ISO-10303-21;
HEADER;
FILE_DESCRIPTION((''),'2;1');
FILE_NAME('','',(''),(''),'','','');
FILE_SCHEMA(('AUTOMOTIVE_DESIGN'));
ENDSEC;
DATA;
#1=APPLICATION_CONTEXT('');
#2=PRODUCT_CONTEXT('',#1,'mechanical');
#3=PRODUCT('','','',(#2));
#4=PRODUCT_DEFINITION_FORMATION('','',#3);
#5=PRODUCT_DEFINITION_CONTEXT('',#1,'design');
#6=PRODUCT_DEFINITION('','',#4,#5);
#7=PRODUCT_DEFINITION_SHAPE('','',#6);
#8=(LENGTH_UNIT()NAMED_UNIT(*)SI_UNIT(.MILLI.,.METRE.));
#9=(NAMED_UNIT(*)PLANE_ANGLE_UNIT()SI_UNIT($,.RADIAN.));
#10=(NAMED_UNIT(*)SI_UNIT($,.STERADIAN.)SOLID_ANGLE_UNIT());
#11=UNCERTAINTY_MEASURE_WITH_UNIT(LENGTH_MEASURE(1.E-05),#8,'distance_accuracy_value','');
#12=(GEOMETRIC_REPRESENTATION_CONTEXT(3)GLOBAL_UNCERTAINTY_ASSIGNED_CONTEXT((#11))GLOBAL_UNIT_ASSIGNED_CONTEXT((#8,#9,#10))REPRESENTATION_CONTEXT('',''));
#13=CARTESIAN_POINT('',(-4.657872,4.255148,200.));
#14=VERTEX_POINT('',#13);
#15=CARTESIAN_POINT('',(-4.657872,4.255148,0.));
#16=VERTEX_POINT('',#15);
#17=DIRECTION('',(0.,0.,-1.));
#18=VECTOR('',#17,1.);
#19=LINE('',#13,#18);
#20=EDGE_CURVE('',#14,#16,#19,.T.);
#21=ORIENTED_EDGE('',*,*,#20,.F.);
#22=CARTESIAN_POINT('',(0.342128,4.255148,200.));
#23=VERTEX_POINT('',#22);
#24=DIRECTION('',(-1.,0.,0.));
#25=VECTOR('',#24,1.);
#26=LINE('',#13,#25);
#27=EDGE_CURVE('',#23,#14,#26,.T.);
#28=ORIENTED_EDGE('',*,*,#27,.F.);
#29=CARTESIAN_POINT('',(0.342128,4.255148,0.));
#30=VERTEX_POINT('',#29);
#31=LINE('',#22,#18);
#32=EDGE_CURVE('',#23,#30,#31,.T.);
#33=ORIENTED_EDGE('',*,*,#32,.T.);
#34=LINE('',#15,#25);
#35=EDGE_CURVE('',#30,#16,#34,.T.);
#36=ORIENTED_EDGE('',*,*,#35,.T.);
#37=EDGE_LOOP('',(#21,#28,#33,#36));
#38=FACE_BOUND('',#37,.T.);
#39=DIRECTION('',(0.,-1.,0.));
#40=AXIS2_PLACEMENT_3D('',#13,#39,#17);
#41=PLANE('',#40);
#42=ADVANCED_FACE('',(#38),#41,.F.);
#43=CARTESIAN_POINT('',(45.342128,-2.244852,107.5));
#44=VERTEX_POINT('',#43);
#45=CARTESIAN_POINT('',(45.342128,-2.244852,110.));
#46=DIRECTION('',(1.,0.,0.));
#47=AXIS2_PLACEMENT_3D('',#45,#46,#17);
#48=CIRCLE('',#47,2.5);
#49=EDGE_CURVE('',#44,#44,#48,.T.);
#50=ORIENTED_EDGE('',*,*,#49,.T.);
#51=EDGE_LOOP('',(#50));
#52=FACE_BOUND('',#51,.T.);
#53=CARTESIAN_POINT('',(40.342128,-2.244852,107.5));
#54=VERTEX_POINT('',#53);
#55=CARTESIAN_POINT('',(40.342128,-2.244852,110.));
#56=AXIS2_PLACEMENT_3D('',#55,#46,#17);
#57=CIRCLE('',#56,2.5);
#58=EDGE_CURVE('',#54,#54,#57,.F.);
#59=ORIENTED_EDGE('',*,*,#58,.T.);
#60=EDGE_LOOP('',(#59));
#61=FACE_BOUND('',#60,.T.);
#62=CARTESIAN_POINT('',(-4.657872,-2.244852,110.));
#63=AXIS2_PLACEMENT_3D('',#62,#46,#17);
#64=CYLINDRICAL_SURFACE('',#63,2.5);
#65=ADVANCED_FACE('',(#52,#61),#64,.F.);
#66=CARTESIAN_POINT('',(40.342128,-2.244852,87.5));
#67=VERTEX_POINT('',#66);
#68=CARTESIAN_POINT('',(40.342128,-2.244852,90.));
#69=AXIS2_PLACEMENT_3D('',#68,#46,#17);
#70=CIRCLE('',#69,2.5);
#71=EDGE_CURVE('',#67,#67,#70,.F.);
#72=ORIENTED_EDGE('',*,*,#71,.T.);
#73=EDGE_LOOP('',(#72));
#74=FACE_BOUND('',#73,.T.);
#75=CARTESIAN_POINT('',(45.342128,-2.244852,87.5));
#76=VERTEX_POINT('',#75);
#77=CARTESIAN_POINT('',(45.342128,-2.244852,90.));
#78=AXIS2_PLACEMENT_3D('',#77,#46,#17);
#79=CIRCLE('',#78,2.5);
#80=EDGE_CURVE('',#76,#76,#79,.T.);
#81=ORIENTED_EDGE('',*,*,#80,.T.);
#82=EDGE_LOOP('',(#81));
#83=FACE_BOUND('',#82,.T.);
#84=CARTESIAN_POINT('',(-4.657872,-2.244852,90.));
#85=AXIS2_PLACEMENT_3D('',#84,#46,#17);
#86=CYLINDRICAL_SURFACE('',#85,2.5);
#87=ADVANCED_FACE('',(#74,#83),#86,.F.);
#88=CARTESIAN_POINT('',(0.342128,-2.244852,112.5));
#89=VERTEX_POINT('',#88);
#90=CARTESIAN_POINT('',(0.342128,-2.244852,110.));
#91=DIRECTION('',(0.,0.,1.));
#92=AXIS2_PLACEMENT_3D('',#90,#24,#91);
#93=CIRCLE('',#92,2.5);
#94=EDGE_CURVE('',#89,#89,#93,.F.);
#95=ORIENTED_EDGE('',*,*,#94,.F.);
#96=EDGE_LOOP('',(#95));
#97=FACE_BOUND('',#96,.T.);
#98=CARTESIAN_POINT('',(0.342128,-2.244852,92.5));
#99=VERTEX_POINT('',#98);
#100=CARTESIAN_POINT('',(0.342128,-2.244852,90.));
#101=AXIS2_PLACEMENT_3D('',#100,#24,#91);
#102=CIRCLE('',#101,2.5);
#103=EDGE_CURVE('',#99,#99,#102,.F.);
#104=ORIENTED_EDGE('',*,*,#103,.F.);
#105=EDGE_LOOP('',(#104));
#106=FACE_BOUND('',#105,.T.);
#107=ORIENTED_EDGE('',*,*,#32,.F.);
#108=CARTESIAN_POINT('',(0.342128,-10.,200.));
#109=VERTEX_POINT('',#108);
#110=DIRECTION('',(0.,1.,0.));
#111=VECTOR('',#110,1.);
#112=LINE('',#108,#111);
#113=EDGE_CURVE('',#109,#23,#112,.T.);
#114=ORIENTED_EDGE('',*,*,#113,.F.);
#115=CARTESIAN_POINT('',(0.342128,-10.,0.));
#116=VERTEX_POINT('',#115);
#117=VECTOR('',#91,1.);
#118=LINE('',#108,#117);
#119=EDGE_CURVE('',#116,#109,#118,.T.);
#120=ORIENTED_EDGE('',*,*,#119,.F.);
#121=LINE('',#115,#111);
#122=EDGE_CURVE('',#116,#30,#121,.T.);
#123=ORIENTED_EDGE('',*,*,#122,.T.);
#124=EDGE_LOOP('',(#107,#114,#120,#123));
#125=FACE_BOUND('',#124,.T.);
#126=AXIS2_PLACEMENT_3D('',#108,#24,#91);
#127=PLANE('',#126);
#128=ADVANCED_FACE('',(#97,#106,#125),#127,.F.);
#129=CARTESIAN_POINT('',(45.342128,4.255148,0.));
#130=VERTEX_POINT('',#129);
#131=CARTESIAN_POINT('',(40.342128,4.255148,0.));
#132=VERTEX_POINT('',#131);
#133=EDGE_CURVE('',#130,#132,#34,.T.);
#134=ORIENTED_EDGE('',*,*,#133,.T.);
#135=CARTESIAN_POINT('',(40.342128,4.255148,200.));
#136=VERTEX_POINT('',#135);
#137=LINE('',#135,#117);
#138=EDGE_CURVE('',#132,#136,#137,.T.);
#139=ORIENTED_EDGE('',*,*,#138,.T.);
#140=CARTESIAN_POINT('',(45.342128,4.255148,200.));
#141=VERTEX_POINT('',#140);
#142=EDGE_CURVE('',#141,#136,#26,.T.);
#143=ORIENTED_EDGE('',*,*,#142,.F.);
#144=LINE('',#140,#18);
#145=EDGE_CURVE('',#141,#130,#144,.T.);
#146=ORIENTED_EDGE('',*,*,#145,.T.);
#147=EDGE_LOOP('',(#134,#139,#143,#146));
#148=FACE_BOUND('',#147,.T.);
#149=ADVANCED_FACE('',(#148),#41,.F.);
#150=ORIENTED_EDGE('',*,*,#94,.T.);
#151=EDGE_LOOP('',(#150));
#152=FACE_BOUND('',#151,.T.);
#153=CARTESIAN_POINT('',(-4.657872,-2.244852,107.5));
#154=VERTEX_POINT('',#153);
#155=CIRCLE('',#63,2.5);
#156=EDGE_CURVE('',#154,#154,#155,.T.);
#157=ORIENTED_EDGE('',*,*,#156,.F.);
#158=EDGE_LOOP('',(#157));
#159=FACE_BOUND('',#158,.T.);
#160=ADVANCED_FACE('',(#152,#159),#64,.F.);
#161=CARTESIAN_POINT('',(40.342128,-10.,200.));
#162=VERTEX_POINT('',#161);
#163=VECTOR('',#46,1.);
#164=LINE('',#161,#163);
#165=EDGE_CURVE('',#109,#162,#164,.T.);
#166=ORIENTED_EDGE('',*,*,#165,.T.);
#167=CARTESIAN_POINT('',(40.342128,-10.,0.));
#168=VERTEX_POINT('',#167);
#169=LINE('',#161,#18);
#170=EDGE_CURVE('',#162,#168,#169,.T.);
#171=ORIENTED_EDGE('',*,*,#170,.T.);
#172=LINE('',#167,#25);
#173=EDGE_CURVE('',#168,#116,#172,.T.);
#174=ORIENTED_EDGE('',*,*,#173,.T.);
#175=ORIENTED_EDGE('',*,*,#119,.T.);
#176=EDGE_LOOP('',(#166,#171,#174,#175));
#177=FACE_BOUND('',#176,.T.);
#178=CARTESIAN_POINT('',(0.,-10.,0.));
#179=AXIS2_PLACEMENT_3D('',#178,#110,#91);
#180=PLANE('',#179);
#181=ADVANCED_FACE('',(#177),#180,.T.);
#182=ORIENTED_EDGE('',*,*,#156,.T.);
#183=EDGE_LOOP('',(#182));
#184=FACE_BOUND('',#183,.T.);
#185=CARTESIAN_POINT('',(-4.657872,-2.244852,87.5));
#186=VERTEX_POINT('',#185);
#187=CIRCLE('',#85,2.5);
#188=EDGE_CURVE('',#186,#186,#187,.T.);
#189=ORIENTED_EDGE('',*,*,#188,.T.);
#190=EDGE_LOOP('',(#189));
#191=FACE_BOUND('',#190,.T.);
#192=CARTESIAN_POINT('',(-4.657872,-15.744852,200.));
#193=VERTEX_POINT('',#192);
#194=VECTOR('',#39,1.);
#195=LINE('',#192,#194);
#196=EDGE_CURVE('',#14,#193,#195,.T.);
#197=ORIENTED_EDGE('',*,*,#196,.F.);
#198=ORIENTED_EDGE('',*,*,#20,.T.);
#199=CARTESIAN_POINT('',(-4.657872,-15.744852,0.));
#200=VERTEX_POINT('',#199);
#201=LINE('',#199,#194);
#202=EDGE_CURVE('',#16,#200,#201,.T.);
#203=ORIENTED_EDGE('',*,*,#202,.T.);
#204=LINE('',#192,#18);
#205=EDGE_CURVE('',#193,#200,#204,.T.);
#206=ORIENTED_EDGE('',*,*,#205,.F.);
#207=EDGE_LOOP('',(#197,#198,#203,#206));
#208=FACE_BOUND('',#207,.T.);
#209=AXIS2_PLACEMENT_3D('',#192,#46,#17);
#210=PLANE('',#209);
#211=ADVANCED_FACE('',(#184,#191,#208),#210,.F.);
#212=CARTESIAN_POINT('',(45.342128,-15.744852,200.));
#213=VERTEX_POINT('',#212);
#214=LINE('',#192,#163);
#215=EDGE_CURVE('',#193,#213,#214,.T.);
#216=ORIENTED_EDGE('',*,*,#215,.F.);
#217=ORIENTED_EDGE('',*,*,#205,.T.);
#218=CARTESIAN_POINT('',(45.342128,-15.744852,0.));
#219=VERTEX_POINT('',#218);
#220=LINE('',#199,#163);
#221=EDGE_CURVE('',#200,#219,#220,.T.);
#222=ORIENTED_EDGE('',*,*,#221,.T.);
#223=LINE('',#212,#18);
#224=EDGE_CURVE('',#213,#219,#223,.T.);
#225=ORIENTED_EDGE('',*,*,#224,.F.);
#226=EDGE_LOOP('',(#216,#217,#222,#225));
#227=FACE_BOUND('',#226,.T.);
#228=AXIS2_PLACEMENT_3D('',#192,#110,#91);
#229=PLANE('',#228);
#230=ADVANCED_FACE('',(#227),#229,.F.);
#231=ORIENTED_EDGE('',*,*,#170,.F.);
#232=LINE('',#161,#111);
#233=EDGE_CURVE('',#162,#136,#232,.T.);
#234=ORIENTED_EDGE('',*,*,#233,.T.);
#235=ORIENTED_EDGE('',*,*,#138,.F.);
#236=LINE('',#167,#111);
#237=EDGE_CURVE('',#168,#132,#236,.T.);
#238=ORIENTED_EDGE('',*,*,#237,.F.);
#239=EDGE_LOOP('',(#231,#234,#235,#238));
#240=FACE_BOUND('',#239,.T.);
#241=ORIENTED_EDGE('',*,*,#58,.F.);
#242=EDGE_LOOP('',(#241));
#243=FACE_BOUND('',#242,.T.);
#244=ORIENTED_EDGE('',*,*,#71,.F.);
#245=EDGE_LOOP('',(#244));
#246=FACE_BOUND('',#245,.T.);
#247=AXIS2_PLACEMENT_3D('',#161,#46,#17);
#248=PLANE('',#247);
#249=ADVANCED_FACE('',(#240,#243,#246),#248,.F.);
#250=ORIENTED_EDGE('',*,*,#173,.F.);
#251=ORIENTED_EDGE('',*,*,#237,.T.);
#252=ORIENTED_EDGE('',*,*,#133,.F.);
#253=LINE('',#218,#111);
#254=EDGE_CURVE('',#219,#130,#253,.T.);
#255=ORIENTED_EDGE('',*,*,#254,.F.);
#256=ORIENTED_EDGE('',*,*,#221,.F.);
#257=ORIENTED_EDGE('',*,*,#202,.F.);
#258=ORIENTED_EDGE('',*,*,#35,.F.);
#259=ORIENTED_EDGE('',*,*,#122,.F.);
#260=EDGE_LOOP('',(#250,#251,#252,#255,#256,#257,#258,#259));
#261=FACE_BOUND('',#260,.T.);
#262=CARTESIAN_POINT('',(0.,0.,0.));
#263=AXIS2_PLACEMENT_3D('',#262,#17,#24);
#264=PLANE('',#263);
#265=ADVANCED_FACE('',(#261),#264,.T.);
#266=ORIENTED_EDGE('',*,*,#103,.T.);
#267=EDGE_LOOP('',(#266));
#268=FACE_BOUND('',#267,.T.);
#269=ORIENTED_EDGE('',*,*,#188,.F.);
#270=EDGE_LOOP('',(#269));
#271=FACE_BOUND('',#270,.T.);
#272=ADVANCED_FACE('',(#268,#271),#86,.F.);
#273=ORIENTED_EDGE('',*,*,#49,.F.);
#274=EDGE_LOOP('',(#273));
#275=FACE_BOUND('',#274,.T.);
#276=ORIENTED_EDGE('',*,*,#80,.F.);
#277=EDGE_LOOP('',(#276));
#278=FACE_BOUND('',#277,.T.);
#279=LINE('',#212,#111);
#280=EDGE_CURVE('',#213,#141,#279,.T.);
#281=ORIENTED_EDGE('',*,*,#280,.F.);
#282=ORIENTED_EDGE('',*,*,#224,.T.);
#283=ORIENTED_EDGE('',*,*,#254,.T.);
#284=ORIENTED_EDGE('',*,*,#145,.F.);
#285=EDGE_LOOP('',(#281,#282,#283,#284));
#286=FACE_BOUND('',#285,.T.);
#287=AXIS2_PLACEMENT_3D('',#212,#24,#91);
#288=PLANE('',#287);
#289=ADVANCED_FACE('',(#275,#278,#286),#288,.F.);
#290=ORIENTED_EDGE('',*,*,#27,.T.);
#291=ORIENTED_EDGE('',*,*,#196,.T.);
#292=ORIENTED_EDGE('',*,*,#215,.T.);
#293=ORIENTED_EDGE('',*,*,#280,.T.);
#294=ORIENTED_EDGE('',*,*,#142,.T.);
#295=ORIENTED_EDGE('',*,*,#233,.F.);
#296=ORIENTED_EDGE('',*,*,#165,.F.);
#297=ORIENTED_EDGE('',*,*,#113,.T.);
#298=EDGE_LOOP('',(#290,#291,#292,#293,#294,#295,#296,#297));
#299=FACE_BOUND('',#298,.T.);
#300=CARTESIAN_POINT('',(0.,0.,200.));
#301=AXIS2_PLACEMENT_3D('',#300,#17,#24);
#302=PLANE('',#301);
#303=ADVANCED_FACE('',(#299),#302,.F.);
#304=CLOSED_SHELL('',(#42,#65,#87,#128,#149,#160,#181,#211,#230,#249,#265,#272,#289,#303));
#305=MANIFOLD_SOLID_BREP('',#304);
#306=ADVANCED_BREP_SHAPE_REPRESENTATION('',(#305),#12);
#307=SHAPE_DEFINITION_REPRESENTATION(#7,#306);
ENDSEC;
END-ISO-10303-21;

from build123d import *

# Parameters (mm, degrees)
SKIZZE1_W                            = 50
SKIZZE1_H                            = 20
AUFSATZ_LINEAR_AUSTRAGEN1_DEPTH      = 200
SKIZZE3_R                            = 2.5
SCHNITT_LINEAR_AUSTRAGEN1_DEPTH      = 46.342127859
SCHNITT_LINEAR_AUSTRAGEN1_DEPTH_BACK = 5.657872141
SCHNITT_LINEAR_START                 = 10
SKIZZE4_W                            = 40
SKIZZE4_H                            = 200
SCHNITT_LINEAR_AUSTRAGEN2_DEPTH      = 20


with BuildPart() as part:
    # Skizze1 → Aufsatz-Linear austragen1 (new body)
    with BuildSketch(Plane.XY):
        with Locations((20.342127859, -5.74485208)):
            Rectangle(SKIZZE1_W, SKIZZE1_H)
    extrude(amount=AUFSATZ_LINEAR_AUSTRAGEN1_DEPTH)

    # Skizze3 → Schnitt-Linear austragen1 (cut, two sides)
    with BuildSketch(Plane(origin=(0, 0, 0), x_dir=(0, 0, -1), z_dir=(1, 0, 0))) as schnitt_linear_austragen1_sk:
        with Locations((-90, -2.24485208)):
            Circle(SKIZZE3_R)
        with Locations((-110, -2.24485208)):
            Circle(SKIZZE3_R)
    extrude(amount=SCHNITT_LINEAR_AUSTRAGEN1_DEPTH, mode=Mode.SUBTRACT)
    extrude(schnitt_linear_austragen1_sk.sketch, amount=-SCHNITT_LINEAR_AUSTRAGEN1_DEPTH_BACK, mode=Mode.SUBTRACT)

    # Skizze4 → Schnitt-Linear austragen2 (cut)
    with BuildSketch(Plane(origin=(0, 0, 0), x_dir=(1, 0, 0), z_dir=(0, 1, 0)).offset(SCHNITT_LINEAR_START)):
        with Locations((20.342127859, -100)):
            Rectangle(SKIZZE4_W, SKIZZE4_H)
    extrude(amount=-SCHNITT_LINEAR_AUSTRAGEN2_DEPTH, mode=Mode.SUBTRACT)


solid = part.part
